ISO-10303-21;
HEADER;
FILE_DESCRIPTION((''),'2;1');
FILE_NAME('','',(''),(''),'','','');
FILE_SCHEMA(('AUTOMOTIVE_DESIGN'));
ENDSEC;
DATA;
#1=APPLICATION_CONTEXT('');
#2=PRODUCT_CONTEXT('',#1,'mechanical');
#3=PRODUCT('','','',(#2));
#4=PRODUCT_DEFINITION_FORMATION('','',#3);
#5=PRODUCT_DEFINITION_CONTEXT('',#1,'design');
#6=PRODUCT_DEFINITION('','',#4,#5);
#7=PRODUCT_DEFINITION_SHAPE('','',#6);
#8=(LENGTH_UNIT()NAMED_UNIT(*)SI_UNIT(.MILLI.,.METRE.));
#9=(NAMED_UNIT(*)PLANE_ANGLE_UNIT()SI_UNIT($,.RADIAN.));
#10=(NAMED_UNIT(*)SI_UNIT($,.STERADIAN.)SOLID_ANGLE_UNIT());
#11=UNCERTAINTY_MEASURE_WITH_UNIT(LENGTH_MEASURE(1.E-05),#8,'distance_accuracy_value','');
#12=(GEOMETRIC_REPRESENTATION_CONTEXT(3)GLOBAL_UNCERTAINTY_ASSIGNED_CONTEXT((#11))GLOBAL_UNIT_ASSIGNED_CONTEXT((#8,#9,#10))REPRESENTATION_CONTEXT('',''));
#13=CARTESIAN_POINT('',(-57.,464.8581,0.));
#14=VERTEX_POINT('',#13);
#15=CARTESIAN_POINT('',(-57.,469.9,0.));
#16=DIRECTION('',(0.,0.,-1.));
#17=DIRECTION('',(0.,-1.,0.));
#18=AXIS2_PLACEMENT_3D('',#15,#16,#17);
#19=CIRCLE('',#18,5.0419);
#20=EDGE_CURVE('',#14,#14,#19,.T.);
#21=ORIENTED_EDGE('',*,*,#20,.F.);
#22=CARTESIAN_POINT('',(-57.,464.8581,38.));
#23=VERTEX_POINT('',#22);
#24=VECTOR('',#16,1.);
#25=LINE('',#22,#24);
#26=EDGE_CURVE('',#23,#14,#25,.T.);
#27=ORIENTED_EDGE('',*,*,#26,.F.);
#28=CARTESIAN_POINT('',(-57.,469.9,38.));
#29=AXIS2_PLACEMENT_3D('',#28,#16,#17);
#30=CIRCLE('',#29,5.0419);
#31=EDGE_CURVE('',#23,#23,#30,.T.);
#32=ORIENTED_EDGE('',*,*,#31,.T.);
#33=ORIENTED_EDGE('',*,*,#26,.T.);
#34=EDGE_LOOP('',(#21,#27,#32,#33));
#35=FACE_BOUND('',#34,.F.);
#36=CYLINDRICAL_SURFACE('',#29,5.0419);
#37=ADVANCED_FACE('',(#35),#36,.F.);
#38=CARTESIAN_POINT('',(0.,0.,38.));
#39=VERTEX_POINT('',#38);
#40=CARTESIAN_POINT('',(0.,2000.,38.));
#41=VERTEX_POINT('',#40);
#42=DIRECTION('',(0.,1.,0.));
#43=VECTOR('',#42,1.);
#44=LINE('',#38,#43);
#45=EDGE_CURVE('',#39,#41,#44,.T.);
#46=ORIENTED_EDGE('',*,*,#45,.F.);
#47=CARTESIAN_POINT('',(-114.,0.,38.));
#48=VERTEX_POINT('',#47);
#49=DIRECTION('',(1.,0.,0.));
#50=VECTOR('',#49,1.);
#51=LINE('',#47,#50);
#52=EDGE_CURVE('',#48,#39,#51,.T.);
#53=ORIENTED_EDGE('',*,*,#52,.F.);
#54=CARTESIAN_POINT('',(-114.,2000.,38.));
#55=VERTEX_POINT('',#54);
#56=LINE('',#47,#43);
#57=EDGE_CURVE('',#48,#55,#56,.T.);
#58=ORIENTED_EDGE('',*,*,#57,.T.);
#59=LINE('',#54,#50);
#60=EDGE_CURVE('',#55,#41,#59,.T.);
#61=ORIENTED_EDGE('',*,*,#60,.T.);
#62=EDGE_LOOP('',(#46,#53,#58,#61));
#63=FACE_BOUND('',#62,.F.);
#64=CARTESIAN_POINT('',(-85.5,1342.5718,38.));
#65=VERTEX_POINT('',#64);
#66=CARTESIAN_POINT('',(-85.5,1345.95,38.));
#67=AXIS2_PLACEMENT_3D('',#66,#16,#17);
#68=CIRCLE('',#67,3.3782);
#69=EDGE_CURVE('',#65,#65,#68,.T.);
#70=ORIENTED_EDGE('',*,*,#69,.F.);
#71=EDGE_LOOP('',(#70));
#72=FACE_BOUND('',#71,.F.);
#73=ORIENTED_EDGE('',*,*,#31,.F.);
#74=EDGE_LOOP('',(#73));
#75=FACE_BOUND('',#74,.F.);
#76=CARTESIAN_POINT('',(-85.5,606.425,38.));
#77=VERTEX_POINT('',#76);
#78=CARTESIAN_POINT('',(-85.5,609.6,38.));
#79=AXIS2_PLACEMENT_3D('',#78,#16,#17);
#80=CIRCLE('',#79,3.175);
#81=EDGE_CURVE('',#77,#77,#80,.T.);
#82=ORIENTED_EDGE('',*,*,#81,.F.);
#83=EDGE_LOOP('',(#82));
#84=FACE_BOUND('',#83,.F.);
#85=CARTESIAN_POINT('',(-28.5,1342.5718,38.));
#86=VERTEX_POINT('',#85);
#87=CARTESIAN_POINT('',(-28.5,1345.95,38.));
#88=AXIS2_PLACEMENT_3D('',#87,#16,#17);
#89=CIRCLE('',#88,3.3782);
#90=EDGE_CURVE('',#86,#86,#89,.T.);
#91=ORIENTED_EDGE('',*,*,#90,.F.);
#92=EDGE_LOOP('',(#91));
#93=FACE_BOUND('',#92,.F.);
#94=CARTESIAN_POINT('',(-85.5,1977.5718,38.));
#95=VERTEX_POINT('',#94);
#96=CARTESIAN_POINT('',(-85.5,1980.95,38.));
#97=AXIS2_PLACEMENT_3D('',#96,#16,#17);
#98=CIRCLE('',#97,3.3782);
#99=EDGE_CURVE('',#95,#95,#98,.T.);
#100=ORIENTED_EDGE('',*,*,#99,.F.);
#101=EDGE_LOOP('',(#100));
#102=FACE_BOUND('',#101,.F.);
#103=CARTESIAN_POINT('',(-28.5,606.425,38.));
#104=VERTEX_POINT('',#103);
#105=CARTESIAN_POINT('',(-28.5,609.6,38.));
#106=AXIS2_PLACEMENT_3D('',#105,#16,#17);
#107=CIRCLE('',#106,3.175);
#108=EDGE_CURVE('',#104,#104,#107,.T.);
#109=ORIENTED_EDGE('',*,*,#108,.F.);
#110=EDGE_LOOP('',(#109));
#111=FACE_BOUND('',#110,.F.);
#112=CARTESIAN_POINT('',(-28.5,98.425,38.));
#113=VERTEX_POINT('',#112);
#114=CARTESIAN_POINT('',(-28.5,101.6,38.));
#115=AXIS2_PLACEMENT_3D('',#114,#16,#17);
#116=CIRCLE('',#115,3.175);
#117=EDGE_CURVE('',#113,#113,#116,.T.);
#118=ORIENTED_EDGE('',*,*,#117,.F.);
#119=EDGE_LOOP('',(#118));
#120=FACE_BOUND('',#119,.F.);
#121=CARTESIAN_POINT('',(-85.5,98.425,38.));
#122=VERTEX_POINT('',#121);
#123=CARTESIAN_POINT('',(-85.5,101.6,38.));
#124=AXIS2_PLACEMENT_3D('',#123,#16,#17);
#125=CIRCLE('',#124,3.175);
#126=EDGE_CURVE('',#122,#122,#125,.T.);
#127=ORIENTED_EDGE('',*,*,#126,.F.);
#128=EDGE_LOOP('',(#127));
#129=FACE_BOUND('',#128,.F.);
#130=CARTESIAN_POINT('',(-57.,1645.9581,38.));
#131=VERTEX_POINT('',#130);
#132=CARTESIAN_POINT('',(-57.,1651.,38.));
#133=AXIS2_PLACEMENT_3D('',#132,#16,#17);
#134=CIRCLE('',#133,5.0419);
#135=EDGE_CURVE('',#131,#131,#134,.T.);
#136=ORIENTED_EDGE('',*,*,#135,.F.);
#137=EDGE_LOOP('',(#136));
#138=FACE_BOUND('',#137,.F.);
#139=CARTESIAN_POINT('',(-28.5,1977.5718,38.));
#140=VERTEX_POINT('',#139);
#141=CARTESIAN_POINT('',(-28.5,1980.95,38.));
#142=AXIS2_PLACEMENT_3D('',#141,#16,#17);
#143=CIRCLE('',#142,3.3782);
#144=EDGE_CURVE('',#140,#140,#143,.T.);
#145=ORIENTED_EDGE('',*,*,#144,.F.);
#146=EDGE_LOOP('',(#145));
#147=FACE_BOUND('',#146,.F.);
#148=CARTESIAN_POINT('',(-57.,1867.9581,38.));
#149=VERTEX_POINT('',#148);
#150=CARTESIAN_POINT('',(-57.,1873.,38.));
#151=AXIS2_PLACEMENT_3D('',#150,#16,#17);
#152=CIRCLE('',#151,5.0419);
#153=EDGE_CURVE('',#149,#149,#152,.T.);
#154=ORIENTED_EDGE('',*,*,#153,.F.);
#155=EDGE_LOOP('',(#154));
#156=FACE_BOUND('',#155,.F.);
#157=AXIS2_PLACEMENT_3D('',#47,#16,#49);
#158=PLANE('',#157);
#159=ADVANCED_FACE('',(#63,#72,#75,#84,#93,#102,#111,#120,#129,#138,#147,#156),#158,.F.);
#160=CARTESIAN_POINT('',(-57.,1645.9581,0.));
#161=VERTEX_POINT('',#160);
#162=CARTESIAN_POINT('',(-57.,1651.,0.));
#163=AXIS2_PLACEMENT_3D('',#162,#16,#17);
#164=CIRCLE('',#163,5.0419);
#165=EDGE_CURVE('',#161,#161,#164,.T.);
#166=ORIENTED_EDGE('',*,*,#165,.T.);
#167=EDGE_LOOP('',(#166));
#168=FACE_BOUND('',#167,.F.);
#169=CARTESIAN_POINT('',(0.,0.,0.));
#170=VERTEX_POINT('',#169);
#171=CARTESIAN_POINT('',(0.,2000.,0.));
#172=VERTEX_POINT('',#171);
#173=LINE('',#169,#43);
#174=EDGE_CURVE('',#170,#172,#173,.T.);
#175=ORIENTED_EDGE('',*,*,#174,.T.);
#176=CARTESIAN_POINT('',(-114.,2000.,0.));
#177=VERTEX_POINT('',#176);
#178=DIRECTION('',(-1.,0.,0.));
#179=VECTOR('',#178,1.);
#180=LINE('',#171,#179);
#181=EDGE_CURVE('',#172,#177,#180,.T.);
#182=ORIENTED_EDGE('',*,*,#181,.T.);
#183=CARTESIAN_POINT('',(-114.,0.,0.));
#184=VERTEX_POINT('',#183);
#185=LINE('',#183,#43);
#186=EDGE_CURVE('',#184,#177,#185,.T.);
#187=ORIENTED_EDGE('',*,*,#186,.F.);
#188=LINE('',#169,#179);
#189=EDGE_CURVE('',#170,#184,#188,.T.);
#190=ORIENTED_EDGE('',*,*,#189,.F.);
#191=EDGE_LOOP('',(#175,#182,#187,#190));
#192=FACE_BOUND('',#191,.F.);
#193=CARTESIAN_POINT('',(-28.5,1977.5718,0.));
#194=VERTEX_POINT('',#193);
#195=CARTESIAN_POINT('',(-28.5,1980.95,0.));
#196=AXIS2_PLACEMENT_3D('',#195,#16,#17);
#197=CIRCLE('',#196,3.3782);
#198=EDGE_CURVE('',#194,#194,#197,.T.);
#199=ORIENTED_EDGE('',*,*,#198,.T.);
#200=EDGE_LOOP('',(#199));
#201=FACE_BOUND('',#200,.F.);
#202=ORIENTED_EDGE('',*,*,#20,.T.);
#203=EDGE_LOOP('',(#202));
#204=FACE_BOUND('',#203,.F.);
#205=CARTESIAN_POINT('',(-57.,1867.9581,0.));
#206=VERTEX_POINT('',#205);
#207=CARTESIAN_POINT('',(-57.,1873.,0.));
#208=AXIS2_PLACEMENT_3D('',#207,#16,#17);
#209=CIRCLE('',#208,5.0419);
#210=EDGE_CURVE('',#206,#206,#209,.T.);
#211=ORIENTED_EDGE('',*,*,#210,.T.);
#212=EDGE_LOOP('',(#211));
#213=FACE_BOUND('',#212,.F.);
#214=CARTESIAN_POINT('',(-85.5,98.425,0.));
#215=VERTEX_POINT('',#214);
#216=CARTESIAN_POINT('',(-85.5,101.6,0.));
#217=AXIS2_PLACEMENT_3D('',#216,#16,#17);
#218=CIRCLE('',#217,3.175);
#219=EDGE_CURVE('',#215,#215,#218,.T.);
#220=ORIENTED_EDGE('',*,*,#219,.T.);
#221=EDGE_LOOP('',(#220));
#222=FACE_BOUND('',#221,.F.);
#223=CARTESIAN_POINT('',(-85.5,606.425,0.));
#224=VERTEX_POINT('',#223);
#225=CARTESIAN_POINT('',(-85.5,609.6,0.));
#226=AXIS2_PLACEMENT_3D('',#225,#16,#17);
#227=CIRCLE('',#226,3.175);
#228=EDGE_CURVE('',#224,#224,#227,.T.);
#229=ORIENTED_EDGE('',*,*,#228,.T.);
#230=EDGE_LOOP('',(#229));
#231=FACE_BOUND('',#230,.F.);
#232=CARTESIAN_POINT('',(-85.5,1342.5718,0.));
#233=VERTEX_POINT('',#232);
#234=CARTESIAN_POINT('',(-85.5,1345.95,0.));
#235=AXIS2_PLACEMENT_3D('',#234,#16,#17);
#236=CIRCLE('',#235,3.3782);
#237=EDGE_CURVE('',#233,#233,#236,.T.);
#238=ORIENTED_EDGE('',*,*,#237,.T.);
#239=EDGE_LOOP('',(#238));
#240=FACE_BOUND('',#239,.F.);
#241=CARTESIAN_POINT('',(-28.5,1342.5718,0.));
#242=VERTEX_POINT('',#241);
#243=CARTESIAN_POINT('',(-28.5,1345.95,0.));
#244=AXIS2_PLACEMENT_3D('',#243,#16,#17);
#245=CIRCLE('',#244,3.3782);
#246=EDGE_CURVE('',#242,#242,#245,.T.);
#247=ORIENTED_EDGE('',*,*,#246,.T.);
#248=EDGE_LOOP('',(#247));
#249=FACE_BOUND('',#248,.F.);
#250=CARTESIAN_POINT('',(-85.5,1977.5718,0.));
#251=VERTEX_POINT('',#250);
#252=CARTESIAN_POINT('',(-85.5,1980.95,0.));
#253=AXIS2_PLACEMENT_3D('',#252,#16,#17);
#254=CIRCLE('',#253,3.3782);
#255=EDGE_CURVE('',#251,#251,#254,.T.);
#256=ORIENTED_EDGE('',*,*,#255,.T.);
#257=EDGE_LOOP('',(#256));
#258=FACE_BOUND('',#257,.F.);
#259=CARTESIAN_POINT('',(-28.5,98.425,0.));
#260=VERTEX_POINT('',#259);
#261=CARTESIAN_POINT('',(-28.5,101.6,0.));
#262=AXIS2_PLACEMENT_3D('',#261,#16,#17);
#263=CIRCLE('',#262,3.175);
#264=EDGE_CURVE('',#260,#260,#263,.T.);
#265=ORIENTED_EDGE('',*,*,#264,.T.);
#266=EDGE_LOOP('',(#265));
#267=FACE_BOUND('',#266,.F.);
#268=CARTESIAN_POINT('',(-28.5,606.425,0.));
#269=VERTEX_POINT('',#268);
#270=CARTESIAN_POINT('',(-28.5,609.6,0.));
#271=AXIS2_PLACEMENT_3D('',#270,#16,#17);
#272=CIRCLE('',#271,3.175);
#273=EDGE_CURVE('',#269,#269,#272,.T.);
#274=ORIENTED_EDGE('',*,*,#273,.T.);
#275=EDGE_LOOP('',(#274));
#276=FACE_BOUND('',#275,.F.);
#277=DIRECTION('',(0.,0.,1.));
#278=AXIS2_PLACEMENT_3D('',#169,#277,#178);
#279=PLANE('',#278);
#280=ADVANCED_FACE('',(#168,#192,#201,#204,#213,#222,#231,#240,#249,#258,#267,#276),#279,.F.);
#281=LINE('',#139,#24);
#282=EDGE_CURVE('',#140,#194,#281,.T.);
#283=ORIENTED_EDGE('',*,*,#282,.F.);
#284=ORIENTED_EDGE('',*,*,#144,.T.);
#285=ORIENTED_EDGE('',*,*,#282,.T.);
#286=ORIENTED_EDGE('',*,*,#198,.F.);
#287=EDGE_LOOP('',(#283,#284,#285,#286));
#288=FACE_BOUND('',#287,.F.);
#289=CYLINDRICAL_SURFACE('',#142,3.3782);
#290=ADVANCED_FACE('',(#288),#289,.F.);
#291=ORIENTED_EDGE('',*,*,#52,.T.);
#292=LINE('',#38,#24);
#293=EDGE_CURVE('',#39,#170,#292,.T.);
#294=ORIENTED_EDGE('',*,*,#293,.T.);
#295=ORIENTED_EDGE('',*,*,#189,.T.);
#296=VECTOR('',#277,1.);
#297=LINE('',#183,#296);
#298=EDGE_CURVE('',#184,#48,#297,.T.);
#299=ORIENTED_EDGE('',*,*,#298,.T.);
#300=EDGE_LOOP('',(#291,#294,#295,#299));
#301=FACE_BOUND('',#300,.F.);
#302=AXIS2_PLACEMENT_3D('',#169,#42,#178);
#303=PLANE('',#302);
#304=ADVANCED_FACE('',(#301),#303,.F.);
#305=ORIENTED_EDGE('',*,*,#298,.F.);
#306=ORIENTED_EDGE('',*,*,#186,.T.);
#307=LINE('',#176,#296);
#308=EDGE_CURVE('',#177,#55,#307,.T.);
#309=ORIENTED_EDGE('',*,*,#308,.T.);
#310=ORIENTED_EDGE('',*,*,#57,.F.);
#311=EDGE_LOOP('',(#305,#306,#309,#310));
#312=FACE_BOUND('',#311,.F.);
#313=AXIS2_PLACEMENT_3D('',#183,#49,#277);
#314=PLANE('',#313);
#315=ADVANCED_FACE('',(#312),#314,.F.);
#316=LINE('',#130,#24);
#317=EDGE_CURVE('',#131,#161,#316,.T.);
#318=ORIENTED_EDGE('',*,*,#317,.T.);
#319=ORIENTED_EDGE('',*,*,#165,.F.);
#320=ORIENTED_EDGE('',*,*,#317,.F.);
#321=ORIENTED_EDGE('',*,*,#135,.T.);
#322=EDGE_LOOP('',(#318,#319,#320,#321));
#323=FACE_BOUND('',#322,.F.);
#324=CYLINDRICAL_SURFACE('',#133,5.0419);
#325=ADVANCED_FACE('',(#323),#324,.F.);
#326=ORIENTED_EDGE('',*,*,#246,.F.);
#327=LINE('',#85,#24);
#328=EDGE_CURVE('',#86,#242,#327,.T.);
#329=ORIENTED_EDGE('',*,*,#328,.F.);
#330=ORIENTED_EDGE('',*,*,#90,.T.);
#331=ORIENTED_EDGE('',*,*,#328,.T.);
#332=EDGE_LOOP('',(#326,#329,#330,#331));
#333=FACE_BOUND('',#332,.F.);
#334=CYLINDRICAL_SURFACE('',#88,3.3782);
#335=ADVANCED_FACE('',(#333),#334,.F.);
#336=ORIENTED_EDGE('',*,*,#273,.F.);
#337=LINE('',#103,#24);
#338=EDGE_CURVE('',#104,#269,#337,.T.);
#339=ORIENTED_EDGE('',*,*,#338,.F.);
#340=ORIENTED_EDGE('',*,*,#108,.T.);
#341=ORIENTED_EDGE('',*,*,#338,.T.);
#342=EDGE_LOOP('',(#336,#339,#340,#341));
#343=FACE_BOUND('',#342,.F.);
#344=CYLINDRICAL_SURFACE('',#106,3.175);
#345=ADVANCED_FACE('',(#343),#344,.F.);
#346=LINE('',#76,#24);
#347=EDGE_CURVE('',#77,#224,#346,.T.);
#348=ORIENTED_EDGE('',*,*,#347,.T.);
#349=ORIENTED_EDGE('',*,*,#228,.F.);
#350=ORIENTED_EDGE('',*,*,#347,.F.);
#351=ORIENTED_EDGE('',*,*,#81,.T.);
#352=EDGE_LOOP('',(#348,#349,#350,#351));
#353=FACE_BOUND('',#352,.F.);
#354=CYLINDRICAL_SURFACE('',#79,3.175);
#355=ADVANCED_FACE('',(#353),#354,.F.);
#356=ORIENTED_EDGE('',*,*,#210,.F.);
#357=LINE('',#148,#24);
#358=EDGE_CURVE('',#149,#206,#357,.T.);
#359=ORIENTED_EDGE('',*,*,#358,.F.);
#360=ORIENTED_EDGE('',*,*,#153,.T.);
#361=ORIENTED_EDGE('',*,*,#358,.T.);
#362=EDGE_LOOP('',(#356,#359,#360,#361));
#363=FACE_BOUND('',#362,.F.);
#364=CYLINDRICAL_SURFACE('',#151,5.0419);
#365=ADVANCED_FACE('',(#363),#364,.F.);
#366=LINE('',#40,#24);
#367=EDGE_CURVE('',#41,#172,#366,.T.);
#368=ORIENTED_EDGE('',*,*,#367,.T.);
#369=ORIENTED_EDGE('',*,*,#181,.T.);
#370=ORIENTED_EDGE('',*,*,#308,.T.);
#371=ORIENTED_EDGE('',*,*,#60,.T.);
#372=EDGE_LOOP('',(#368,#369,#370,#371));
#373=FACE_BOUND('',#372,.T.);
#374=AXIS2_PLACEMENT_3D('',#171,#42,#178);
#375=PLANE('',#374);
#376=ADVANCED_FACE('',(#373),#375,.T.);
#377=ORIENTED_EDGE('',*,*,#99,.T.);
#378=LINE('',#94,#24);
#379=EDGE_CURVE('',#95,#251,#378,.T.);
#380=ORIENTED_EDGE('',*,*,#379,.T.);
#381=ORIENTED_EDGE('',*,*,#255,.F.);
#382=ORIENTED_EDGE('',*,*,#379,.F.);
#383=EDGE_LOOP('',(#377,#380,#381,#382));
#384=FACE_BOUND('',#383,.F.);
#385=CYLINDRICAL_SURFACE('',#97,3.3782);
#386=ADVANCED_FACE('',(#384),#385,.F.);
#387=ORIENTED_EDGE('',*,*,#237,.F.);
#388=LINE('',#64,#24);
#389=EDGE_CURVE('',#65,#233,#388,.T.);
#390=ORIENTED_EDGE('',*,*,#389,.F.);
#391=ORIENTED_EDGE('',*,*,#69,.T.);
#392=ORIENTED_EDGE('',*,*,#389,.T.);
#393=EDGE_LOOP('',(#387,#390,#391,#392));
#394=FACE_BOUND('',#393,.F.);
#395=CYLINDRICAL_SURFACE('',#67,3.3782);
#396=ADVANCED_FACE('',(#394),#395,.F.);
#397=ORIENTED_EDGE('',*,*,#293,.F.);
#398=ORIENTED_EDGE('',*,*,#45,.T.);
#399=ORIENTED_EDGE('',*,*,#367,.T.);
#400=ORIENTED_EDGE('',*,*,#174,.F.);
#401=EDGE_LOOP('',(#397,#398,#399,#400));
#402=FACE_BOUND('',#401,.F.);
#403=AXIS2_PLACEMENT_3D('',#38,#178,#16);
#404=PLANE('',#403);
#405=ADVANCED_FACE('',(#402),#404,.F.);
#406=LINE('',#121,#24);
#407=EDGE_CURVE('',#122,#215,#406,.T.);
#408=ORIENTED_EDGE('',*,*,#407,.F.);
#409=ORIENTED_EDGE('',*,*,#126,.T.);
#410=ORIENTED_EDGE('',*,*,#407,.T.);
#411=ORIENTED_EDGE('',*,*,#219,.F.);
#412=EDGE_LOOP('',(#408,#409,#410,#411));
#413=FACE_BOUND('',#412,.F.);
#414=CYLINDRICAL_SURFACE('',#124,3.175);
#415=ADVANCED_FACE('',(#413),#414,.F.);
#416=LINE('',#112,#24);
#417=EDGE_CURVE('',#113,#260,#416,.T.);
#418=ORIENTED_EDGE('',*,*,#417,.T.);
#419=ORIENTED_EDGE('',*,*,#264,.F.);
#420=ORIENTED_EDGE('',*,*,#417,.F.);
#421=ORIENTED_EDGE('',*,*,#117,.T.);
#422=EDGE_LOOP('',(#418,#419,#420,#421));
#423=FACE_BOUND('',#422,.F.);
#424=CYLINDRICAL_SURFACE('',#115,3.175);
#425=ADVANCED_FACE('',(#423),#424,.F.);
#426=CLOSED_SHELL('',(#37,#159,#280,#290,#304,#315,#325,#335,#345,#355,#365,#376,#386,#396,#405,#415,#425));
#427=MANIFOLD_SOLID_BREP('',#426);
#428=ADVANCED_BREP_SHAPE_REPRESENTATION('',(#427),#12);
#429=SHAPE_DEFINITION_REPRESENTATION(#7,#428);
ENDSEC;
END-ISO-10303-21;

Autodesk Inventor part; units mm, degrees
ref_plane "YZ Plane" through (0, 0, 0) normal (1, 0, 0) x (0, 1, 0)
ref_plane "XZ Plane" through (0, 0, 0) normal (0, 1, 0) x (-1, 0, 0)
ref_plane "XY Plane" through (0, 0, 0) normal (0, 0, 1) x (1, 0, 0)
sketch "Sketch1" plane through (0, 0, 0) normal (0, 1, 0) x (-1, 0, 0)
  line L0 (0, 0) -> (114, 0)
  line L1 (114, 0) -> (114, 38)
  line L2 (114, 38) -> (0, 38)
  line L3 (0, 38) -> (0, 0)
  dimension "d0" = 114
  dimension "d1" = 38
extrude "Extrusion1" add sketch "Sketch1" along normal blind 2000
sketch "Sketch3" plane through (-114, 0, 38) normal (0, 0, 1) x (1, 0, 0)
  line L0 (0, 0) -> (114, 0) projected
  line L1 (0, 0) -> (0, 2000) projected
  circle A0 centre (28.5, 101.6) radius 5.7238
  circle A1 centre (85.5, 101.6) radius 5.7238
  circle A2 centre (28.5, 609.6) radius 5.7238
  circle A3 centre (85.5, 609.6) radius 5.7238
  dimension "d28" = 101.6
  dimension "d29" = 28.5
  dimension "d32" = 57
  dimension "d35" = 508
hole "rimArm" at (-85.5, 609.6, 38) at (-28.5, 609.6, 38) at (-85.5, 101.6, 38) at (-28.5, 101.6, 38) direction (0, 0, -1) diameter 6.35 end through all
sketch "Sketch4" plane through (-114, 0, 38) normal (0, 0, 1) x (1, 0, 0)
  line L0 (0, 2000) -> (114, 2000) projected
  line L1 (0, 0) -> (0, 2000) projected
  circle A0 centre (28.5, 1980.95) radius 4.8454
  circle A1 centre (85.5, 1980.95) radius 4.8454
  circle A2 centre (28.5, 1345.95) radius 4.8454
  circle A3 centre (85.5, 1345.95) radius 4.8454
  dimension "d45" = 19.05
  dimension "d48" = 57
  dimension "d51" = 635
  dimension "d71" = 28.5
hole "screenArm" at (-85.5, 1980.95, 38) at (-28.5, 1980.95, 38) at (-28.5, 1345.95, 38) at (-85.5, 1345.95, 38) direction (0, 0, -1) diameter 6.7564 end through all clearance for "Flat Head Machine Screw (82)" size "1/4" standard "Ansi Unified Screw Threads"
sketch "Sketch5" plane through (-114, 0, 38) normal (0, 0, 1) x (1, 0, 0)
  line L0 (0, 0) -> (114, 0) projected
  line L1 (0, 2000) -> (114, 2000) projected
  circle A0 centre (57, 1873) radius 8.4367
  circle A1 centre (57, 1651) radius 12.5456
  circle A2 centre (57, 469.9) radius 11.5895
  line L2 (0, 0) -> (0, 2000) projected
  dimension "d61" = 127
  dimension "d62" = 469.9
  dimension "d70" = 1651
  dimension "d72" = 57
  dimension "d73" = 57
  dimension "d74" = 57
hole "poleAttach" at (-57, 1873, 38) at (-57, 1651, 38) at (-57, 469.9, 38) direction (0, 0, -1) diameter 10.0838 end through all clearance for "Flat Head Machine Screw (82)" size "3/8" standard "Ansi Unified Screw Threads"
equation "\"d29\" = 0.25 * d0"
equation "\"d32\" = 0.5 * d0"
equation "\"d48\" = 0.5 * d0"
equation "\"d71\" = 0.25 * d0"
equation "\"d72\" = 0.5 * d0"
equation "\"d73\" = 0.5 * d0"
equation "\"d74\" = 0.5 * d0"
properties part number "2p2psv" material "Wood (Cherry)"
